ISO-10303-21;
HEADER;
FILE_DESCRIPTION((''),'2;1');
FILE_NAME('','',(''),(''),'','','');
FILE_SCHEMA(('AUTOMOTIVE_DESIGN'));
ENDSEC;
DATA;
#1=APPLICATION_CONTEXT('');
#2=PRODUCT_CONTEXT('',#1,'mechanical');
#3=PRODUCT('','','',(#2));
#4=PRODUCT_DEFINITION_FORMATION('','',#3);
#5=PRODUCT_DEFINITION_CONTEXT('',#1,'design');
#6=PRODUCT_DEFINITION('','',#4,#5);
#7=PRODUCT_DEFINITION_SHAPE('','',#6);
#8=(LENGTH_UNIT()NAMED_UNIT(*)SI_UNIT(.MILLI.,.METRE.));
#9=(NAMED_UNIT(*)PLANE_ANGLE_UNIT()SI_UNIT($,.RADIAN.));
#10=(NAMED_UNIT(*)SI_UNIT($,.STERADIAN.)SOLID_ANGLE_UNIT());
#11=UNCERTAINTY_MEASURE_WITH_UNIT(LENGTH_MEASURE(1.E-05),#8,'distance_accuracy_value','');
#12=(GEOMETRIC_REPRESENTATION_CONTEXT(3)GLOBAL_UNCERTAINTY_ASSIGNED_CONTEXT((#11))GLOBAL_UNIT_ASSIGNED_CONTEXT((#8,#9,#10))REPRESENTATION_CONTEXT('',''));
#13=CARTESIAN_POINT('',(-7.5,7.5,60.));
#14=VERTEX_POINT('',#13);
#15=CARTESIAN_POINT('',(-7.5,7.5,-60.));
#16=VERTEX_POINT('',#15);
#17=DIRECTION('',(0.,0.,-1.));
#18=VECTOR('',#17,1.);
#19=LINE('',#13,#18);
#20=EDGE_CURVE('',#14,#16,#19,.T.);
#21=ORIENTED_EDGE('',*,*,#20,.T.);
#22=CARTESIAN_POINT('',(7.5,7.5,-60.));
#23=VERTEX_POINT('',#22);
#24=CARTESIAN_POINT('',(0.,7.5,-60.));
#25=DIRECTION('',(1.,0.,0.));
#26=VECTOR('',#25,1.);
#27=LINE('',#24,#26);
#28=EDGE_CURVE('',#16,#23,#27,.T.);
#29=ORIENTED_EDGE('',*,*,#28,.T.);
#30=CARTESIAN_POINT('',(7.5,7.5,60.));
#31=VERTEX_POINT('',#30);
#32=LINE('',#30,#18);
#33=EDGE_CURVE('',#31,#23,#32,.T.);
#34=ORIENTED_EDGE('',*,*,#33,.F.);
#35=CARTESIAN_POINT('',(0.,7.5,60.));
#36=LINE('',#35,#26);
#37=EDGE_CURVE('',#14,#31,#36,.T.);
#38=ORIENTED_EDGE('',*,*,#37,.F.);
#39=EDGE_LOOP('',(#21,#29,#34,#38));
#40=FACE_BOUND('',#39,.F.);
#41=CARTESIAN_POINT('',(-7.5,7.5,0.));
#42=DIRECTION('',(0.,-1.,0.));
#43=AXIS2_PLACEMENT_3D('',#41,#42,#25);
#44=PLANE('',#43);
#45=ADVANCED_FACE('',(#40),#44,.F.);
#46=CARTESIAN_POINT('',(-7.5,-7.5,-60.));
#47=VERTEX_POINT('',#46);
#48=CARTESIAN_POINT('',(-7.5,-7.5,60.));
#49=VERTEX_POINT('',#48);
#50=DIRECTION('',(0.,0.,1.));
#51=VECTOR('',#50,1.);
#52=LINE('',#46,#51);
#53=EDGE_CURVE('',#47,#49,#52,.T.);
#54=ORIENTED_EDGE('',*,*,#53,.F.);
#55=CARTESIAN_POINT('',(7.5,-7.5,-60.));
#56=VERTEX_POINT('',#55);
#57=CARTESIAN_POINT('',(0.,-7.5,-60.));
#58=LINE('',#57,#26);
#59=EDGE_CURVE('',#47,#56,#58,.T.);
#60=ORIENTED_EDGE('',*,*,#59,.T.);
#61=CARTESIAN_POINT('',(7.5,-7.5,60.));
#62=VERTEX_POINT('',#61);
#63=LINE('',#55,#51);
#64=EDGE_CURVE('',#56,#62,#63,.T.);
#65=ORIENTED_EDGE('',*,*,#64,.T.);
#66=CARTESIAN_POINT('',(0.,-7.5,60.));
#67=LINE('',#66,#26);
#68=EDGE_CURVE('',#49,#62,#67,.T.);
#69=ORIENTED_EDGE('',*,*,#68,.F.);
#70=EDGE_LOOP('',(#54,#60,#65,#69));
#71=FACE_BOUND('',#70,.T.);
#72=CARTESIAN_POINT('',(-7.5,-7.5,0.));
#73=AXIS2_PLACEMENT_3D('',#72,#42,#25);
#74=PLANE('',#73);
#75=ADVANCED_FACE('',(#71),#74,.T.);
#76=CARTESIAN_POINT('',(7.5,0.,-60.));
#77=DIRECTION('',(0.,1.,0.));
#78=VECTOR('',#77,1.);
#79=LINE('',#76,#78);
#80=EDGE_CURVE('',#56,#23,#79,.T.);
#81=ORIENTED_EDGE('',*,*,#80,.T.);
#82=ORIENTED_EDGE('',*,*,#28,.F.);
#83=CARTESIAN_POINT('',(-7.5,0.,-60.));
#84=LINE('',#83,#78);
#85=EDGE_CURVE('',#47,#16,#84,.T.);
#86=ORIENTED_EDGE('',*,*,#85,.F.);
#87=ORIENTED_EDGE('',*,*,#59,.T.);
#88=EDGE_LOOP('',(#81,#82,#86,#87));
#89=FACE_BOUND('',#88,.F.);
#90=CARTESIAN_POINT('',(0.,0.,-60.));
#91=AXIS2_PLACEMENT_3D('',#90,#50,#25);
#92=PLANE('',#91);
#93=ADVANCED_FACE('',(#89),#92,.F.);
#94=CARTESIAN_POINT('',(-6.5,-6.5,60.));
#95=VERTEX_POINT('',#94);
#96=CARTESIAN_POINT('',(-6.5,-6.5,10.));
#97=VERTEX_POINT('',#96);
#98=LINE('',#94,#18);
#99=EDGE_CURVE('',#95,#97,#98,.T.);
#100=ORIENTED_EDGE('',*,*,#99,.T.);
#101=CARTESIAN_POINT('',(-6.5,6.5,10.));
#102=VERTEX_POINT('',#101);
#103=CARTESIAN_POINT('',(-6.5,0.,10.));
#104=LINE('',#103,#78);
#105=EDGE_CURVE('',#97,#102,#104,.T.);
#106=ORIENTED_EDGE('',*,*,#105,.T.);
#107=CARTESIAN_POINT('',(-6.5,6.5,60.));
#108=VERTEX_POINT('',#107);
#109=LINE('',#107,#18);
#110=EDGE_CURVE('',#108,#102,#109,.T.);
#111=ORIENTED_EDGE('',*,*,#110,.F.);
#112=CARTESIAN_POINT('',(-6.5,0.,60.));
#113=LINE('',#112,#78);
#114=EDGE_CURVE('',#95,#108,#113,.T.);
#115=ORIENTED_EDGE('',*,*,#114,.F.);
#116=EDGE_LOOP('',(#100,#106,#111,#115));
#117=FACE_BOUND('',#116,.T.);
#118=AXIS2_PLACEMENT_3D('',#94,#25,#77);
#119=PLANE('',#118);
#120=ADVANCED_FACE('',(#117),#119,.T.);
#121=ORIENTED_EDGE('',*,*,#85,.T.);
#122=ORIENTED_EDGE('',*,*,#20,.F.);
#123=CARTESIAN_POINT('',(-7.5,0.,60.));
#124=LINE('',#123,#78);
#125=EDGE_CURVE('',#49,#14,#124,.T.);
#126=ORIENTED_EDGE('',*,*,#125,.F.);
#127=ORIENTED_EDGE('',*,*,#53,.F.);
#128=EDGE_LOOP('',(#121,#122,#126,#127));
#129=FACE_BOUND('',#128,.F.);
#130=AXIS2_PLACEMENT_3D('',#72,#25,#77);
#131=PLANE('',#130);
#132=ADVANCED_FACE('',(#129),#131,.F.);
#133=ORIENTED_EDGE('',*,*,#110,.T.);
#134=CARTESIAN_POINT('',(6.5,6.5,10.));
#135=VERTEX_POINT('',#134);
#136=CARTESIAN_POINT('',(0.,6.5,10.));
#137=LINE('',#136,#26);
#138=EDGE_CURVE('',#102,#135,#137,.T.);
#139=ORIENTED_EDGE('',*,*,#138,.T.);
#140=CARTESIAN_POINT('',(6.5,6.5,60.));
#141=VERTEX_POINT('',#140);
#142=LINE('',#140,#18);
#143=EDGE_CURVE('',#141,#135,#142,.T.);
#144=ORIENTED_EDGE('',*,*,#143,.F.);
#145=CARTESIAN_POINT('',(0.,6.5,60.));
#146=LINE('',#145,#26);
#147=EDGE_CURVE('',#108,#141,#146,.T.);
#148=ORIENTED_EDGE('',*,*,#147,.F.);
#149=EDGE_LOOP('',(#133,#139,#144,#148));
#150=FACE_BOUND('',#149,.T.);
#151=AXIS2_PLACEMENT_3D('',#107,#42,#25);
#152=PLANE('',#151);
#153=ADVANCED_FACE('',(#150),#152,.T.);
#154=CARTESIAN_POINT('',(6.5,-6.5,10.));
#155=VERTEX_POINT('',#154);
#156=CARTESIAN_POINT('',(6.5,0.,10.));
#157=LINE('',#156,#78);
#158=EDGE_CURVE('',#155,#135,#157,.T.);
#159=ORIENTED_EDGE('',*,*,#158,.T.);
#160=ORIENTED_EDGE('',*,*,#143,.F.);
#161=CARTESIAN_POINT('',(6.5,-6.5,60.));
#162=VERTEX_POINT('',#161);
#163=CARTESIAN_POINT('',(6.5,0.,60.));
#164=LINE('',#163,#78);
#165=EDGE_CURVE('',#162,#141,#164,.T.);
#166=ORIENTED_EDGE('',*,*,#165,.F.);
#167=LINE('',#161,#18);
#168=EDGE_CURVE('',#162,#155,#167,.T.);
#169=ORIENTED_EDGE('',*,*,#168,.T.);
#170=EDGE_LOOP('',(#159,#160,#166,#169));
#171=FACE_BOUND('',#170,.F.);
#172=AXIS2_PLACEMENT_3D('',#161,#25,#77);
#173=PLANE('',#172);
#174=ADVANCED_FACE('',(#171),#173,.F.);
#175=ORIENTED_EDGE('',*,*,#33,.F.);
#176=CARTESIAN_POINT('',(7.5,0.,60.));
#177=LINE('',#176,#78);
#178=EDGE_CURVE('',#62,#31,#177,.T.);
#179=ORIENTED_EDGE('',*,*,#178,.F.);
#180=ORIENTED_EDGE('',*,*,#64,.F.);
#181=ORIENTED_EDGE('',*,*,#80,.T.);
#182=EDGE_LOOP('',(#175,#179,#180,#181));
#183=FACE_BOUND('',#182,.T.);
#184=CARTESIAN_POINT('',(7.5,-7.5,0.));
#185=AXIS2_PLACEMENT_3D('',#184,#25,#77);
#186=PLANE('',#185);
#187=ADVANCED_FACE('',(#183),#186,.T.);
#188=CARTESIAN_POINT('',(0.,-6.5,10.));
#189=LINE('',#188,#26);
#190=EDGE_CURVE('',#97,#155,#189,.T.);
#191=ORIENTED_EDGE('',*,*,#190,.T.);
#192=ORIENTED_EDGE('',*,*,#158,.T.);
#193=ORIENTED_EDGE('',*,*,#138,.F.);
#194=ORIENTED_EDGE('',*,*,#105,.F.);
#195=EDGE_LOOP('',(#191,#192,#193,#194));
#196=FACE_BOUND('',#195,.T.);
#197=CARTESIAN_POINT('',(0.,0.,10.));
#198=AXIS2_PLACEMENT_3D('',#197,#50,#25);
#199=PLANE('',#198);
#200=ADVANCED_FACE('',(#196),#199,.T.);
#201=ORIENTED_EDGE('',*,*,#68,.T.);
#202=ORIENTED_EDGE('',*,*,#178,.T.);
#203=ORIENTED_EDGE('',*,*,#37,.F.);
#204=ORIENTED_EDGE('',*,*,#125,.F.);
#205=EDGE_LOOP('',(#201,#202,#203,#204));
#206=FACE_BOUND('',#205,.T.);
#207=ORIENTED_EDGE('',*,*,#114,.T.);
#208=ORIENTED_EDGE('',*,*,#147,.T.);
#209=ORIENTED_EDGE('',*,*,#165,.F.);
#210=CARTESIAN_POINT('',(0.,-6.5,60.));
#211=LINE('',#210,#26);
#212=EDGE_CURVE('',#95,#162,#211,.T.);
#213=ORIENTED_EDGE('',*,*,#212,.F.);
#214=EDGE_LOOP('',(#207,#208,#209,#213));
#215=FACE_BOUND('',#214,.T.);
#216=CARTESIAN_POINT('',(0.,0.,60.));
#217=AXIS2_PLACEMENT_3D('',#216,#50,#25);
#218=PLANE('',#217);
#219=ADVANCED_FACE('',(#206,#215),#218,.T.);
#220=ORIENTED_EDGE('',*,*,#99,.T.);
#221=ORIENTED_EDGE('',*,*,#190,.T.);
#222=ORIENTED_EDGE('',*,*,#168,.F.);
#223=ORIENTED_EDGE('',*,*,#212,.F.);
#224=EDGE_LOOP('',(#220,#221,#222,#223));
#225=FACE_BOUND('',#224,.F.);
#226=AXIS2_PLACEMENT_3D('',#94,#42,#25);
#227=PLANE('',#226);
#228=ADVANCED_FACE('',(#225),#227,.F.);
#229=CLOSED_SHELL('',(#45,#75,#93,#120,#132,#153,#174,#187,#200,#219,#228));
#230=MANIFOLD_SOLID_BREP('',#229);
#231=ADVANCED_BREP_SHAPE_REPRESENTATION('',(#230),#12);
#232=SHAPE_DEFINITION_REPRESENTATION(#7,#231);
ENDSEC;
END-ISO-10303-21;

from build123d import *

# Parameters (mm, degrees)
F0_W          = 15
F0_H          = 15
F1_DEPTH      = 60
F1_DEPTH_BACK = 60
F2_W          = 13
F2_H          = 13
F3_DEPTH      = 50


with BuildPart() as f1:
    # F0 (on Top) → F1 (new body, two sides)
    with BuildSketch(Plane.XY) as f1_sk:
        Rectangle(F0_W, F0_H)
    extrude(amount=F1_DEPTH)
    extrude(f1_sk.sketch, amount=-F1_DEPTH_BACK)

    # F2 (on face) → F3 (cut)
    with BuildSketch(Plane.XY.offset(60)):
        Rectangle(F2_W, F2_H)
    extrude(amount=-F3_DEPTH, mode=Mode.SUBTRACT)


solid = f1.part
